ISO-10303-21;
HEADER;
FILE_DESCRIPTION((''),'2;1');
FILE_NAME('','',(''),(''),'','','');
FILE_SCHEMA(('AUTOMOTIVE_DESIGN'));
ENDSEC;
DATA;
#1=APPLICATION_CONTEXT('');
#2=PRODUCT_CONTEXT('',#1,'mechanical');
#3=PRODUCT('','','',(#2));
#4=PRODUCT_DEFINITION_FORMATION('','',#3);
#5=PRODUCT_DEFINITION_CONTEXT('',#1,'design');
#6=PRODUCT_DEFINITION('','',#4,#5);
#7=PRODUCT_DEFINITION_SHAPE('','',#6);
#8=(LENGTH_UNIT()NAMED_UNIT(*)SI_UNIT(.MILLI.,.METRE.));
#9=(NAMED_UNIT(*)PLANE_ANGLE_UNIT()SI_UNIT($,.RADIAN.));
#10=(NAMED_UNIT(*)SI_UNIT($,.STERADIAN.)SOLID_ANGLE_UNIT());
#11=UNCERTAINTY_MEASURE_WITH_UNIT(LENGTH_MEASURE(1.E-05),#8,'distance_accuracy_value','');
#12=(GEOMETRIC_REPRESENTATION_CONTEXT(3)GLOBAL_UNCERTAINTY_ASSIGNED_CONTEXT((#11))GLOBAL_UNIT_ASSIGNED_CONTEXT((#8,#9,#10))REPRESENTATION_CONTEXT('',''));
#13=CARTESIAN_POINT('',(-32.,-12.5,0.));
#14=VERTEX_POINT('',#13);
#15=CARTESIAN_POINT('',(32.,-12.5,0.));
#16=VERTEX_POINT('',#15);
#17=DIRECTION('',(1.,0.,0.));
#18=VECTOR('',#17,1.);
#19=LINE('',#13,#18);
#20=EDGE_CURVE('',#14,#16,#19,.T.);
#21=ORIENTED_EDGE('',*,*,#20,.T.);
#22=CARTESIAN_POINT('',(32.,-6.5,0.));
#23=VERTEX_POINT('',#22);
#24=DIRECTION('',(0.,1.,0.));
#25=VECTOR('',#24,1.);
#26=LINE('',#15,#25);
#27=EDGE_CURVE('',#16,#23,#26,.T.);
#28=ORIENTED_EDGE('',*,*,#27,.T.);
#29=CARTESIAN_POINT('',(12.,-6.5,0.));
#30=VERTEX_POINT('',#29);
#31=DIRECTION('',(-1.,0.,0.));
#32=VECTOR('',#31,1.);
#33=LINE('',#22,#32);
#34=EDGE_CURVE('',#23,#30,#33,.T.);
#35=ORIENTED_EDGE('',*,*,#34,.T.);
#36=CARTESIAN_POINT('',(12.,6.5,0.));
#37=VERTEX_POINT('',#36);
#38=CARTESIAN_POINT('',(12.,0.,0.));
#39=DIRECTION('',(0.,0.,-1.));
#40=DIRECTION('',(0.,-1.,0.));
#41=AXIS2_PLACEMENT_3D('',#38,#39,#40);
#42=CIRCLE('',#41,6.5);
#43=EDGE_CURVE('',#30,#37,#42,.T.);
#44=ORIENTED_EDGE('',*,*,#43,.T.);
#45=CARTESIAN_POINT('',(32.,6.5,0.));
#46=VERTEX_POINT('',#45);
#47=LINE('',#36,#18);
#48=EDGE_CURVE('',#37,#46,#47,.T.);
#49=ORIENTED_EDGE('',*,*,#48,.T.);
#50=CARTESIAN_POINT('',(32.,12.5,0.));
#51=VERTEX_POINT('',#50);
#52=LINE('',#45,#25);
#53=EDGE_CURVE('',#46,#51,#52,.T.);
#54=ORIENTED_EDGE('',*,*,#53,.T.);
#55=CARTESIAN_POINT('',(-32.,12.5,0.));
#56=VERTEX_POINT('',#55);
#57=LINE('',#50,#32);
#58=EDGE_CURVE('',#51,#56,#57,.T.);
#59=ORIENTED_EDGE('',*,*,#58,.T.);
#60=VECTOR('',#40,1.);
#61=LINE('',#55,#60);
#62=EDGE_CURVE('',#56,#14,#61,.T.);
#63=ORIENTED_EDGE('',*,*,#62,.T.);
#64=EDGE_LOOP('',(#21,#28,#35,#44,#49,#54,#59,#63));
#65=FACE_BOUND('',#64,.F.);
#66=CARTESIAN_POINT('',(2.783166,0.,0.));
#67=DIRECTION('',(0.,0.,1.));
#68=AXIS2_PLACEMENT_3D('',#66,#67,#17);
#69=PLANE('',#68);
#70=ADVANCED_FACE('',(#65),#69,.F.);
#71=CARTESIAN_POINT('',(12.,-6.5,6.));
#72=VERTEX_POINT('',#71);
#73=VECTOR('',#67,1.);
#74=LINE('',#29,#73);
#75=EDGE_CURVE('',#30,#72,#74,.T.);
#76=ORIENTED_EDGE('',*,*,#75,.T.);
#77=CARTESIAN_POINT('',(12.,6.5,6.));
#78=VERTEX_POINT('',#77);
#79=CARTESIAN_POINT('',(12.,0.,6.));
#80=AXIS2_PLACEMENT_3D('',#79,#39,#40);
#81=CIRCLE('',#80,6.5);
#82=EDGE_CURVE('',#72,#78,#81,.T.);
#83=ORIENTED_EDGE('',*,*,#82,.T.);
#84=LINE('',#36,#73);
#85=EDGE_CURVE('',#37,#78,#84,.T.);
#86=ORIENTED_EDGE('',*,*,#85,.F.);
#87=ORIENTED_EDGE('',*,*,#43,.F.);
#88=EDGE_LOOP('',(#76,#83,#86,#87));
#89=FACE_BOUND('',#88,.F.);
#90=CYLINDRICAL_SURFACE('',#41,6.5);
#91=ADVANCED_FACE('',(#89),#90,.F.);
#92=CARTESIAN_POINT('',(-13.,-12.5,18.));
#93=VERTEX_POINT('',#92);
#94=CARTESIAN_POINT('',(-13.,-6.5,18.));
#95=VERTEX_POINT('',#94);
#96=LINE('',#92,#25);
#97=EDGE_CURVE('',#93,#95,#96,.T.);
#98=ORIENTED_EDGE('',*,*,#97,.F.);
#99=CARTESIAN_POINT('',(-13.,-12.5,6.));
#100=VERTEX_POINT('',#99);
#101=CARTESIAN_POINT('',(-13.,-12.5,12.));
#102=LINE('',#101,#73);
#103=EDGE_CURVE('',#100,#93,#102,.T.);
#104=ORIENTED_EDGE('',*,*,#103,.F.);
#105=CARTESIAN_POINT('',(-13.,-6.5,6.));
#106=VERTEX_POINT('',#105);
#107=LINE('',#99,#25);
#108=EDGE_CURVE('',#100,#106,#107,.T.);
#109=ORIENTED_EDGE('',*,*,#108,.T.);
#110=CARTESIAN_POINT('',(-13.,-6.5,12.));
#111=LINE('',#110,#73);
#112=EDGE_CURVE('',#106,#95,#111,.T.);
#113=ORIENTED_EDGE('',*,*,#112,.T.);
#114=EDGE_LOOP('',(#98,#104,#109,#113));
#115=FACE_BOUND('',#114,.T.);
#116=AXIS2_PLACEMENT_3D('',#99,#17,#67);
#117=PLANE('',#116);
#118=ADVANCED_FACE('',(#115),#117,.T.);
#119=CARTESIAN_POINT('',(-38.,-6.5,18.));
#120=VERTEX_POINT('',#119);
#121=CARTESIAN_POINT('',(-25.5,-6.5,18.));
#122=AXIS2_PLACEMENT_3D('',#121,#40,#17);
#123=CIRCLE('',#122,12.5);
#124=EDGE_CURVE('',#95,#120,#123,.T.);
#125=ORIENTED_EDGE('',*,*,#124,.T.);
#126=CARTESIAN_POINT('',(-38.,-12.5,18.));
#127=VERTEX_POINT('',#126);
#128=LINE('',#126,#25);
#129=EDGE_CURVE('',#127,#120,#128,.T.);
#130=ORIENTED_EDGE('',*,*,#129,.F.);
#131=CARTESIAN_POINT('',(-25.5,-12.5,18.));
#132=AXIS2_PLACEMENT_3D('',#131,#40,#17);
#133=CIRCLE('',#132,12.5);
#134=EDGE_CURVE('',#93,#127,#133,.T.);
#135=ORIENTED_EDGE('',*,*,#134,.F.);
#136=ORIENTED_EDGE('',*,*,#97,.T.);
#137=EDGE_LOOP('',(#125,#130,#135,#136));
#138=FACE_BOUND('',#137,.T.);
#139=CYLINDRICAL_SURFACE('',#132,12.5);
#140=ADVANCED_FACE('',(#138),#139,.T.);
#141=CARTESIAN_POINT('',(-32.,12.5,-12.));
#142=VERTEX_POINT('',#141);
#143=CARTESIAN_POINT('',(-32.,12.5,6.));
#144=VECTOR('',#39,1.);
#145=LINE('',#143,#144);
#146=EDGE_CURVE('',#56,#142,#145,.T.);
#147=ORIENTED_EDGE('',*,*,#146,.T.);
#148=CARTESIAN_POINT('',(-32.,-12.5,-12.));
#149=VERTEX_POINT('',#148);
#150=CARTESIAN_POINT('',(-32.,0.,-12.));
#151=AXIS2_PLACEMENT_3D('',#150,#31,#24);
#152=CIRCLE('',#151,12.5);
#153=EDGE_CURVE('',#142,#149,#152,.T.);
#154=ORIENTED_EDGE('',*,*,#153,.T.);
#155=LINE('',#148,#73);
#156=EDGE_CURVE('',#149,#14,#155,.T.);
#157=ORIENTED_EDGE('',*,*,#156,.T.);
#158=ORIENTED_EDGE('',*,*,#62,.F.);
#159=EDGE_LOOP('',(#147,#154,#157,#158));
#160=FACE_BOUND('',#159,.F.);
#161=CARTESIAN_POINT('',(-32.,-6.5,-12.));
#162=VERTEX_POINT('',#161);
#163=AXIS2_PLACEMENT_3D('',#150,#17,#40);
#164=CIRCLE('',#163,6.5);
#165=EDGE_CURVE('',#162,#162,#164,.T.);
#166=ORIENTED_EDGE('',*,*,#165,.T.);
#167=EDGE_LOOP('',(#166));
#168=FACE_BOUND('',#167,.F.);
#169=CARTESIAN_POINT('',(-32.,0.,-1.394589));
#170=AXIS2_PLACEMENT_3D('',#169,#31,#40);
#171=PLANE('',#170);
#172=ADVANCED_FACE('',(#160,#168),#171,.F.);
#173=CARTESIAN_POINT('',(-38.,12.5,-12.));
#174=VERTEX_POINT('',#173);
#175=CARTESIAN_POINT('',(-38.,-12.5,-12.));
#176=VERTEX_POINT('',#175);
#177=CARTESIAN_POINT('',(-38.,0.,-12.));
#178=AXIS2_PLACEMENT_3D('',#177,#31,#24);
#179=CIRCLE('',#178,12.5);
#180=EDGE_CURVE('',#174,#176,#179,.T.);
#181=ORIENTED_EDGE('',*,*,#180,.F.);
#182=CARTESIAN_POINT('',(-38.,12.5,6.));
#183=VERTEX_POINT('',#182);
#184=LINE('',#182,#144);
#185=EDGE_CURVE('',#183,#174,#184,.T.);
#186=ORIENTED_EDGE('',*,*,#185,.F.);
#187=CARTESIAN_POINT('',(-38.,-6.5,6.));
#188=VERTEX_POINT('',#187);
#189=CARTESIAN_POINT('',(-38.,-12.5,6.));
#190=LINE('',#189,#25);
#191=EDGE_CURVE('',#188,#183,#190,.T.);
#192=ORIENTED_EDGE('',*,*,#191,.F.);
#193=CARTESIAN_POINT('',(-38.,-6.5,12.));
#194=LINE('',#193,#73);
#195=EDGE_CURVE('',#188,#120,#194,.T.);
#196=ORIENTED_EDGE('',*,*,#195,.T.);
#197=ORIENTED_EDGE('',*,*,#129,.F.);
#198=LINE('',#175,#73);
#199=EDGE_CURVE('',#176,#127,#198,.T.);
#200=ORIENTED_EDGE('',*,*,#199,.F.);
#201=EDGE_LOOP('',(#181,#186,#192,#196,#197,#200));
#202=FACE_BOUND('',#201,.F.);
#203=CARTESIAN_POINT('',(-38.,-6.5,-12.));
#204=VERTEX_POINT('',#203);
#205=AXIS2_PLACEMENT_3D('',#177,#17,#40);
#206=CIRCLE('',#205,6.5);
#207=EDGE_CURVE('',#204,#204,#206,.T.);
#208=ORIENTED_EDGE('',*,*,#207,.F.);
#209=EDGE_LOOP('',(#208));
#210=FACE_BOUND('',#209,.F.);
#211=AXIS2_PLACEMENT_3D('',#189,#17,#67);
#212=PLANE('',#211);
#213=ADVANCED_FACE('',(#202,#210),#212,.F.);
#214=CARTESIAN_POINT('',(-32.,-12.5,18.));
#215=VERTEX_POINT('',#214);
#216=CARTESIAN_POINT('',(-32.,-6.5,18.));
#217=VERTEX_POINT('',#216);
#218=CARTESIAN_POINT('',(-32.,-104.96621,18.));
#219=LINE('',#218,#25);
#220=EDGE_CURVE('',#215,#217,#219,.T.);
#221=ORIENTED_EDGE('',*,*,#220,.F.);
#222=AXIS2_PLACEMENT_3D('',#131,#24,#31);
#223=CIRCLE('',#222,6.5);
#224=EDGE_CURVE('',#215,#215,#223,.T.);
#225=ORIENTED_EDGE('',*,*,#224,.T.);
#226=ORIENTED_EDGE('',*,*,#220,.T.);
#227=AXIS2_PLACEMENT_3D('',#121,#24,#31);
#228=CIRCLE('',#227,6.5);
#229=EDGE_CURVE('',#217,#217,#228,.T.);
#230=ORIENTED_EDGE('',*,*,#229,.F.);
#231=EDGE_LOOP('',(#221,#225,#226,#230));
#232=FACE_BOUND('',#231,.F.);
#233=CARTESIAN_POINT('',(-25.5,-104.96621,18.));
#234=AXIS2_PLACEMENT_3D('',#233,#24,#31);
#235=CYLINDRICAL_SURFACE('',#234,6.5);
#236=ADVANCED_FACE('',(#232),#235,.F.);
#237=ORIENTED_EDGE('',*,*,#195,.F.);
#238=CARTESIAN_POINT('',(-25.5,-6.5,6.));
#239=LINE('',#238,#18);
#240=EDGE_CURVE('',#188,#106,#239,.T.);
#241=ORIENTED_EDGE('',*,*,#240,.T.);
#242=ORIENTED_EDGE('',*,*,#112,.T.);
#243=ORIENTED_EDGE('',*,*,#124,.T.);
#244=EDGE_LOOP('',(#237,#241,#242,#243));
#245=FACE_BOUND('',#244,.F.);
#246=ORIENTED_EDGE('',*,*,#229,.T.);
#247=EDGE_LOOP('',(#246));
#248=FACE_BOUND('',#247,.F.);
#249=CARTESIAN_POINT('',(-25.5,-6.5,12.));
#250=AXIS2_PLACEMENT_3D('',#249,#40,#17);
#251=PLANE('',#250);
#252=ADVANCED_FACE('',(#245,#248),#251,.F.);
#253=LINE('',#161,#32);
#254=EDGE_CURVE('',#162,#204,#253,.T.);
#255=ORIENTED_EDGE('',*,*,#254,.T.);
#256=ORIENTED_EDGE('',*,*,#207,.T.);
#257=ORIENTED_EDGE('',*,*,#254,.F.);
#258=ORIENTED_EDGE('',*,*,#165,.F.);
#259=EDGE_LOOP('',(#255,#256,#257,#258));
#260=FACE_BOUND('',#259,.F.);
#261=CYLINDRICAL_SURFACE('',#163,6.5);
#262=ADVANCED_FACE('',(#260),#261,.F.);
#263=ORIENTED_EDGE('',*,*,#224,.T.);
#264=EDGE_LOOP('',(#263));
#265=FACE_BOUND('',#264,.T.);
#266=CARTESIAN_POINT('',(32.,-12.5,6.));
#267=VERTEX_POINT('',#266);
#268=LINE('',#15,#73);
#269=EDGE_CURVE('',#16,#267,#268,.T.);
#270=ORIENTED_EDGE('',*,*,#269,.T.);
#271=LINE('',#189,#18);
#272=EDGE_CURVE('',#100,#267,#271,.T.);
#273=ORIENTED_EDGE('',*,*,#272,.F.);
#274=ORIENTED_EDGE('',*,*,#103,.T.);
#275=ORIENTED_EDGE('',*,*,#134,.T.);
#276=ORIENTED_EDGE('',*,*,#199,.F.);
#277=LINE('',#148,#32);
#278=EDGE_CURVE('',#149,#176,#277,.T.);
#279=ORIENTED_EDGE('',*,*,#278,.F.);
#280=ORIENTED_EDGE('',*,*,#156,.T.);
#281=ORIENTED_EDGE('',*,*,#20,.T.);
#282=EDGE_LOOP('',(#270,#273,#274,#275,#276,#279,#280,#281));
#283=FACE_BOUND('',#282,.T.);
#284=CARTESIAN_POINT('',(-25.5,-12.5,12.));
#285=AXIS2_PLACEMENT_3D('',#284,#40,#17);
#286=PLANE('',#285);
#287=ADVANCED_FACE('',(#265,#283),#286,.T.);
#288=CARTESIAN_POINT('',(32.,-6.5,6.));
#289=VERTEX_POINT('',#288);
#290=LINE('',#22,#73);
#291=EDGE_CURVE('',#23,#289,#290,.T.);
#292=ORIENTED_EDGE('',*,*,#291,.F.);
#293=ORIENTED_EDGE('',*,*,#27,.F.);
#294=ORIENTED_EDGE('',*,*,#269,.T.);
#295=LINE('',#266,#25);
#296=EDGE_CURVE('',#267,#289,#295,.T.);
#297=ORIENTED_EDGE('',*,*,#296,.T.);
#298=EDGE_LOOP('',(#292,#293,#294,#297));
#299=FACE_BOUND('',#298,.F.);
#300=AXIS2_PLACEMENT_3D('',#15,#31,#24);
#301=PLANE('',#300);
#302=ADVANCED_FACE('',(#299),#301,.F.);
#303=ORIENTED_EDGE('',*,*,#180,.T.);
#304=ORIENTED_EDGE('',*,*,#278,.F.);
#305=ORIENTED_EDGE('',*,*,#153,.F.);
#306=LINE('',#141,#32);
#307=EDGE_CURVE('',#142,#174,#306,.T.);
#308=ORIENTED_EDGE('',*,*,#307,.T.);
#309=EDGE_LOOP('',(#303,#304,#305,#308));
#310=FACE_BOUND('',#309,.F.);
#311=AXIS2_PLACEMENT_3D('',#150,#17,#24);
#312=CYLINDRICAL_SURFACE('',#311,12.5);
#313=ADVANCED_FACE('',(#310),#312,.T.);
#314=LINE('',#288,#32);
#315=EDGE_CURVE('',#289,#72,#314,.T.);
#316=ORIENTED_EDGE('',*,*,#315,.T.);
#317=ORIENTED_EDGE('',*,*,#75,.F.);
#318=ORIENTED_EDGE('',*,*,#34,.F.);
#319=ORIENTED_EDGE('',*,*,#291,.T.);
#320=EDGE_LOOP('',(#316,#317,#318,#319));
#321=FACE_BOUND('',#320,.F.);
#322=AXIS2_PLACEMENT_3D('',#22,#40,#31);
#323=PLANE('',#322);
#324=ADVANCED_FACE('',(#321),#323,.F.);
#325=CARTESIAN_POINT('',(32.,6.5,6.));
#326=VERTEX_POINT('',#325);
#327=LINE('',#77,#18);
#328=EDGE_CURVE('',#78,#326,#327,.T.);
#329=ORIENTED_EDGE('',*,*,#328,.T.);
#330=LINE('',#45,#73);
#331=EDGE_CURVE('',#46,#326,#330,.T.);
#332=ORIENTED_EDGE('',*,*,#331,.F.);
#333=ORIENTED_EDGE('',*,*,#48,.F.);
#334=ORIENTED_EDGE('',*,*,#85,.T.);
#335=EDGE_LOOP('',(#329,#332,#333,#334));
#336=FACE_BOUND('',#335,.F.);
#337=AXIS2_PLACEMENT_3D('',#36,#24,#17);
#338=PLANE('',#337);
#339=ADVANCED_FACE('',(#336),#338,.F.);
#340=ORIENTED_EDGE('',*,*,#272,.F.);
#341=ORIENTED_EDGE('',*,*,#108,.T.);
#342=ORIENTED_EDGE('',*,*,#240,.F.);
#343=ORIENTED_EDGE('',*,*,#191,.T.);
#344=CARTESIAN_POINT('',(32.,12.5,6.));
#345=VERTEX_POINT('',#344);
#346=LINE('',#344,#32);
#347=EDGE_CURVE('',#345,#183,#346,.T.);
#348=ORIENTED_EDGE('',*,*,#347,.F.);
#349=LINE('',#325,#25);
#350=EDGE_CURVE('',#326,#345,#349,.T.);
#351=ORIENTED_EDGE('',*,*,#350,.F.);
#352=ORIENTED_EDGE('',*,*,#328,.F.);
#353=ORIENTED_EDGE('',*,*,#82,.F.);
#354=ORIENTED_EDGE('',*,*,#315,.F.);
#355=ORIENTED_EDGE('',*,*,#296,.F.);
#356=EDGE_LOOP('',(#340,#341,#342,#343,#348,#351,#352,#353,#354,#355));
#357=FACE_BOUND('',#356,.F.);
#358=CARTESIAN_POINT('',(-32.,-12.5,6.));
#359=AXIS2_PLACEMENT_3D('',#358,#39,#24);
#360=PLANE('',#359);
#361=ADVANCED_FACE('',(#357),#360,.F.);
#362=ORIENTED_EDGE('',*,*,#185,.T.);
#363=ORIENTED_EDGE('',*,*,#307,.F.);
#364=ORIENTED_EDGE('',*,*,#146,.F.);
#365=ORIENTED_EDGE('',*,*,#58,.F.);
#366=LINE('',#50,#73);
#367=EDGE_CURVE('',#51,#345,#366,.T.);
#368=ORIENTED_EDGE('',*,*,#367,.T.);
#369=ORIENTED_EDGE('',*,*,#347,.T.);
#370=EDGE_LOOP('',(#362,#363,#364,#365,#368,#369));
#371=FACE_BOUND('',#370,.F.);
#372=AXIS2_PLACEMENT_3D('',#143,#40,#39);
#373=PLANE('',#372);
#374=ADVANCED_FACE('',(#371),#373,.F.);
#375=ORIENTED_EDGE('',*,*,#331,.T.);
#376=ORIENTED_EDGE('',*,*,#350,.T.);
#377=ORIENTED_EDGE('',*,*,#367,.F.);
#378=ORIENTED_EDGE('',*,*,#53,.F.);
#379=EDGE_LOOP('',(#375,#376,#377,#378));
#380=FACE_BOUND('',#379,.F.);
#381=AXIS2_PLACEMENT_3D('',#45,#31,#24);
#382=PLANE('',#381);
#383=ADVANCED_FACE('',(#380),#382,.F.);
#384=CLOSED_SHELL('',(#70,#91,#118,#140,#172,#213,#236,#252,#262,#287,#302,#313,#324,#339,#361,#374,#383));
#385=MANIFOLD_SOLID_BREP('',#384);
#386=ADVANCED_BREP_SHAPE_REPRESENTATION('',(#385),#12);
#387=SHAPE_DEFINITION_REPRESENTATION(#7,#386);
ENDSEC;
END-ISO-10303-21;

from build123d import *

# Parameters (mm, degrees)
F1_DEPTH = 6
F3_DEPTH = 6
F4_W     = 25
F4_H     = 12
F5_DEPTH = 6
F6_D     = 13


with BuildPart() as f1:
    # F0 (on Top) → F1 (new body)
    with BuildSketch(Plane.XY):
        with BuildLine():
            Line((-32, -12.5), (32, -12.5))
            Line((32, -12.5), (32, -6.5))
            Line((32, -6.5), (12, -6.5))
            ThreePointArc((12, -6.5), (5.5, 0), (12, 6.5))
            Line((12, 6.5), (32, 6.5))
            Line((32, 6.5), (32, 12.5))
            Line((32, 12.5), (-32, 12.5))
            Line((-32, 12.5), (-32, -12.5))
        make_face()
    extrude(amount=F1_DEPTH)

    # F2 (on face) → F3 (join)
    with BuildSketch(Plane(origin=(-32, 0, 0), x_dir=(0, -1, 0), z_dir=(-1, 0, 0))):
        with BuildLine():
            Line((12.5, 6), (-12.5, 6))
            Line((-12.5, 6), (-12.5, -12))
            ThreePointArc((-12.5, -12), (0, 0.5), (12.5, -12))
            Line((12.5, -12), (12.5, 6))
        make_face()
        with BuildLine():
            ThreePointArc((12.5, -12), (0, 0.5), (-12.5, -12))
            Line((-12.5, -12), (-6.5, -12))
            ThreePointArc((-6.5, -12), (0, -5.5), (6.5, -12))
            Line((6.5, -12), (12.5, -12))
        make_face()
        with BuildLine():
            Line((-6.5, -12), (-12.5, -12))
            ThreePointArc((-12.5, -12), (0, -24.5), (12.5, -12))
            Line((12.5, -12), (6.5, -12))
            ThreePointArc((6.5, -12), (0, -18.5), (-6.5, -12))
        make_face()
    extrude(amount=F3_DEPTH)

    # F4 (on face) → F5 (join)
    with BuildSketch(Plane.XZ.offset(12.5)):
        with Locations((-25.5, 12)):
            Rectangle(F4_W, F4_H)
        with BuildLine():
            ThreePointArc((-13, 18), (-25.5, 30.5), (-38, 18))
            Line((-38, 18), (-13, 18))
        make_face()
    extrude(amount=-F5_DEPTH)

    # F6 (through all)
    with Locations(Plane.XZ.offset(12.5)):
        with Locations((-25.5, 18)):
            Hole(F6_D / 2)


solid = f1.part
